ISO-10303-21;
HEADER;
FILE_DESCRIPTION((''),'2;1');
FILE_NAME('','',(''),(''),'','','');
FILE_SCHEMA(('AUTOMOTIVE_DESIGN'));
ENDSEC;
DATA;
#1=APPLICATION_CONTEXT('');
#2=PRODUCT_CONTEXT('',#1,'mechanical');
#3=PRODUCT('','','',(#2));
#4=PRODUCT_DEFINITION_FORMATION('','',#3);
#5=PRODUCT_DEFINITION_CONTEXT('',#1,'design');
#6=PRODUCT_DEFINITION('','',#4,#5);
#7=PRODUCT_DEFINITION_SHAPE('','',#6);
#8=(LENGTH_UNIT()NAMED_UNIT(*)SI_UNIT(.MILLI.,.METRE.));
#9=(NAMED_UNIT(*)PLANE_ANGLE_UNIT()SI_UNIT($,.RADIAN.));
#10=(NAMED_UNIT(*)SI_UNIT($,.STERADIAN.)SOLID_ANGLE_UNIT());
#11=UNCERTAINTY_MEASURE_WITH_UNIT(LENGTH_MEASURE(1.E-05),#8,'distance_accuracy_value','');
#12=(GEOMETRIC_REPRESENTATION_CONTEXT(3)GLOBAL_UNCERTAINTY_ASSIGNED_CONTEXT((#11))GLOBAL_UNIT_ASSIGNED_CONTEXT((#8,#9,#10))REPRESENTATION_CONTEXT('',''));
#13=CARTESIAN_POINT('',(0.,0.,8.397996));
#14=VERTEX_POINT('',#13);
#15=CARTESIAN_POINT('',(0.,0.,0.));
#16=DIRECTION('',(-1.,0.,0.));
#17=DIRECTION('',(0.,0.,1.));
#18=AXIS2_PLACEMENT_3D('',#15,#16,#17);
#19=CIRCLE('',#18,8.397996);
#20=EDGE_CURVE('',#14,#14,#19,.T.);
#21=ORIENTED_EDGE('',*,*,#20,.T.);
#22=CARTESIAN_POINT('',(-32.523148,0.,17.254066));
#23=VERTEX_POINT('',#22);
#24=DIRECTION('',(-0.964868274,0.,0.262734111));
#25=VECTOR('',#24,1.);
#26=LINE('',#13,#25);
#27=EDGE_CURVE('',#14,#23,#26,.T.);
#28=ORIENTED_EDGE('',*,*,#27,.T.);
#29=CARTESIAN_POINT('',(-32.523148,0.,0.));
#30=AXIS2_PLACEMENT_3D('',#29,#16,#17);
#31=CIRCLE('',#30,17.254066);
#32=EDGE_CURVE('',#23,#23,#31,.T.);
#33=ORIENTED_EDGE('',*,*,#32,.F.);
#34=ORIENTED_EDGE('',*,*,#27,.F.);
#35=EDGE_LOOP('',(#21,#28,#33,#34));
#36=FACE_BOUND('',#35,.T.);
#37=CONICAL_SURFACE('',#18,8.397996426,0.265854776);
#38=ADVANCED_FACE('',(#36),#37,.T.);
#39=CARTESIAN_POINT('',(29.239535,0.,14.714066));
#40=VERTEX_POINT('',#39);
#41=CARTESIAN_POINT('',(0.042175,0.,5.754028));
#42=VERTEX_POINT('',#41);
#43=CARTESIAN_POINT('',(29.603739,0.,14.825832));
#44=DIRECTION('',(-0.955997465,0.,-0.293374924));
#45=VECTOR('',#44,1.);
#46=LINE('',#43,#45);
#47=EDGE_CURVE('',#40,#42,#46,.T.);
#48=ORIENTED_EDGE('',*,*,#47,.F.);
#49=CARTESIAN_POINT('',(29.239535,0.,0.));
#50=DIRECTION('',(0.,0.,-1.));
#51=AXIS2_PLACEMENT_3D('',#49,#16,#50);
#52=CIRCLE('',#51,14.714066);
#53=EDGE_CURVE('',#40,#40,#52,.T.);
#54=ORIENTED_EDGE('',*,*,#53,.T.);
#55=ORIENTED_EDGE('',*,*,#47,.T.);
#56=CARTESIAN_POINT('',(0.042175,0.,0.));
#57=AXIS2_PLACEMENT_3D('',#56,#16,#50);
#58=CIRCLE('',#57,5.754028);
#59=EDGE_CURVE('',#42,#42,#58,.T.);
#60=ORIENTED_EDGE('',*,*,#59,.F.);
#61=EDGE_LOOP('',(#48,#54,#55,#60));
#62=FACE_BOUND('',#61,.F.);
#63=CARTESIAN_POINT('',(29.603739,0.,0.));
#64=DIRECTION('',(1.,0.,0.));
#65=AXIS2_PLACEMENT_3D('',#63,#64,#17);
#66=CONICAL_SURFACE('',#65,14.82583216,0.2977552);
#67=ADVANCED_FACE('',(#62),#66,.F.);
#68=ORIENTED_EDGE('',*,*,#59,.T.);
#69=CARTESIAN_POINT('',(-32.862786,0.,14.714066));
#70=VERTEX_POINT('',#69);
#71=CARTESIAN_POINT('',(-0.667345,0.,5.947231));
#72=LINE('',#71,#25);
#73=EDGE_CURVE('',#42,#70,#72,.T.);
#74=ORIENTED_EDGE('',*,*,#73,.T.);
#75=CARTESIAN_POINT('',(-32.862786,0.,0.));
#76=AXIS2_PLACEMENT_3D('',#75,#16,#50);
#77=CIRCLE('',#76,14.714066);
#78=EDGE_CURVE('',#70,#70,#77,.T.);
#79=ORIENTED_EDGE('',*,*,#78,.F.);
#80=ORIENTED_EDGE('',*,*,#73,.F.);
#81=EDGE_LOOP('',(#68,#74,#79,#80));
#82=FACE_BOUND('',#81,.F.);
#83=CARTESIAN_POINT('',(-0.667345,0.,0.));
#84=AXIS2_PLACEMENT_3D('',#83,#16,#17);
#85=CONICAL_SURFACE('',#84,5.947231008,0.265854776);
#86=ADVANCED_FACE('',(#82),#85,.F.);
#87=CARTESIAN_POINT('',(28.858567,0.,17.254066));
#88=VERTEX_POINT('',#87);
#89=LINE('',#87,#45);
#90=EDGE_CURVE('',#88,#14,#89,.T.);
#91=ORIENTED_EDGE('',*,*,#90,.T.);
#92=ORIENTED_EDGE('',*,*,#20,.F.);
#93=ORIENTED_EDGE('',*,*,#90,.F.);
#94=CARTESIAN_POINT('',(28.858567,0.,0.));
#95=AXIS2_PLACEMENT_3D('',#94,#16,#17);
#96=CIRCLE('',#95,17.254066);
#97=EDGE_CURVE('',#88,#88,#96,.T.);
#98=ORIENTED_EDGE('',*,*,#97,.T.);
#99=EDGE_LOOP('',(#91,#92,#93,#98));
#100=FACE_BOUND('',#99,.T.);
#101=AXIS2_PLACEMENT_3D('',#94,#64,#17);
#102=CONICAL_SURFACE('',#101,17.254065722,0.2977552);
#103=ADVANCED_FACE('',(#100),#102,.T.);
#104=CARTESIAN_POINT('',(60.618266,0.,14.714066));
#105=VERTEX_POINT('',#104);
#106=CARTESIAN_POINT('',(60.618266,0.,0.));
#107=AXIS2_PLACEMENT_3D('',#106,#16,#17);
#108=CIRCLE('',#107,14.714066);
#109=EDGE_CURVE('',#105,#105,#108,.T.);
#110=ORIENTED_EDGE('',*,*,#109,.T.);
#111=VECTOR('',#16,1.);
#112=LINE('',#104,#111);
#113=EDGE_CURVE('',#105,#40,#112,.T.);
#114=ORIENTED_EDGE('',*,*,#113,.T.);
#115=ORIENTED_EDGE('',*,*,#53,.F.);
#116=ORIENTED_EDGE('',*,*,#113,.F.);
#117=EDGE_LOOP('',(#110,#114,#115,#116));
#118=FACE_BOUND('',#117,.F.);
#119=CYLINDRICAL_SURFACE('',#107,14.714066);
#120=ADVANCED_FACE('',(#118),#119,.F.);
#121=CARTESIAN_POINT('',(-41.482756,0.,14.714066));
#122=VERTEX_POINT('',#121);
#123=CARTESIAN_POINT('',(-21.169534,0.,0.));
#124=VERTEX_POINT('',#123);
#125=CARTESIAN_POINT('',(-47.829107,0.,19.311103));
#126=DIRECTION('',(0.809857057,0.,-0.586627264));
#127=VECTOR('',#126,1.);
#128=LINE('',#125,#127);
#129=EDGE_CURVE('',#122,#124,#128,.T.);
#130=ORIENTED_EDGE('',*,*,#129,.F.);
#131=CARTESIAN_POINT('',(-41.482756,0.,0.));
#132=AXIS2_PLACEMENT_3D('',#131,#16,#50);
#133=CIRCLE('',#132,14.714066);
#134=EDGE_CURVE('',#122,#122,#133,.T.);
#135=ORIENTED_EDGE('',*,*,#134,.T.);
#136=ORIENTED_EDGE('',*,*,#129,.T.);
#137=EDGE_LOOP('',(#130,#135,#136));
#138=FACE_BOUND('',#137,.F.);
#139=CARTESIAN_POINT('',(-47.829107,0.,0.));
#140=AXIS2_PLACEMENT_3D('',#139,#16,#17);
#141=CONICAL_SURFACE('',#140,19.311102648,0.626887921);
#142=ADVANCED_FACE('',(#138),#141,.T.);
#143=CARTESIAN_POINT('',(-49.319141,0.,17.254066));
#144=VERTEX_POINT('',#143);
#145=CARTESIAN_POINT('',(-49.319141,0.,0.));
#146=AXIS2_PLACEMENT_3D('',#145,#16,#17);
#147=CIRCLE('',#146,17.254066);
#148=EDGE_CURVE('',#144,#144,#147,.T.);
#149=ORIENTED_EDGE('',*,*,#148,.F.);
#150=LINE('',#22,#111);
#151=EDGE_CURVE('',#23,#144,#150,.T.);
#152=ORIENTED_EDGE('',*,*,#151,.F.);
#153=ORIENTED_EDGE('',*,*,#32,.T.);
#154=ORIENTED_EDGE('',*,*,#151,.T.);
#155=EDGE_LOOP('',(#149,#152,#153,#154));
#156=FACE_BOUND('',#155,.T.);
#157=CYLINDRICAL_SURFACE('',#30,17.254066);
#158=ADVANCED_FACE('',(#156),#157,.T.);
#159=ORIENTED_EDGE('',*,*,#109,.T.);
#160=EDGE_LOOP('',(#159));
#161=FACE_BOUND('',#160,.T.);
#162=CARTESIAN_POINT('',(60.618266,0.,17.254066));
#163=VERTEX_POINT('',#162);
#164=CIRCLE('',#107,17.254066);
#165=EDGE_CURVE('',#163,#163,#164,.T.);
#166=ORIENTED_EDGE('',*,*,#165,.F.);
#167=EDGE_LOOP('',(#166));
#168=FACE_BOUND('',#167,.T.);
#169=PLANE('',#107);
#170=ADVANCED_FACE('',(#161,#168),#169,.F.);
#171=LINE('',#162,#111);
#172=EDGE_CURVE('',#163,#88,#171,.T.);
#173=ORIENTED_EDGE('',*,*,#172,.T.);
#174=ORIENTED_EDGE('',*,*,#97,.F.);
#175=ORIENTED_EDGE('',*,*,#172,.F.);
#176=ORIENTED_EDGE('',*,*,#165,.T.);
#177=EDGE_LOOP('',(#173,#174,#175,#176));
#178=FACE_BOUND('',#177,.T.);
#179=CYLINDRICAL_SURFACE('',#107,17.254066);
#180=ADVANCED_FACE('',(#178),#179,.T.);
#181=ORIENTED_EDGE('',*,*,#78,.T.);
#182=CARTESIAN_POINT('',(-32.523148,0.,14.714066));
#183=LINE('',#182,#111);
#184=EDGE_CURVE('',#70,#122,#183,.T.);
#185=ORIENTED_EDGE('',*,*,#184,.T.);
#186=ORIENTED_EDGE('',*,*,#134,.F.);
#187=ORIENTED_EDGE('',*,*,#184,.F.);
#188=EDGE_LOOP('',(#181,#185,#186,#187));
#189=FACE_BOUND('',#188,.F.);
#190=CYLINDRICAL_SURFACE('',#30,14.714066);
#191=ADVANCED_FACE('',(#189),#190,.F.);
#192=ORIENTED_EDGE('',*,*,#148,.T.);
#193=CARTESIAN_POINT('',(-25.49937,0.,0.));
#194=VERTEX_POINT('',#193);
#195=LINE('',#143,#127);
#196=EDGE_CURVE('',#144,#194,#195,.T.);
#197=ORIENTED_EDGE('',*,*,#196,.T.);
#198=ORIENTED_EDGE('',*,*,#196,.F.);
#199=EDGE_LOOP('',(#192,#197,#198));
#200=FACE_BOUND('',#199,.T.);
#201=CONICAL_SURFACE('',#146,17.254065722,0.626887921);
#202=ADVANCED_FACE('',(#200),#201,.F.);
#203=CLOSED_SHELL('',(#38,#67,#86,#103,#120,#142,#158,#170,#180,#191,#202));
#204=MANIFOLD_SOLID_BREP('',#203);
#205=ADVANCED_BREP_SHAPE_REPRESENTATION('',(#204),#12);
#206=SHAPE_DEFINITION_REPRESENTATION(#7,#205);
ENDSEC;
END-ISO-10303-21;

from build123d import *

# Parameters (mm, degrees)
F2_T = -2.54


with BuildPart() as f1:
    # F0 (on Front) → F1 (revolve)
    with BuildSketch(Plane.XZ):
        Polygon((0, 8.3979964256), (-32.5231477618, 17.2540657222), (-49.3191406131, 17.2540657222), (-25.4993699491, 0), (60.6182664633, 0), (60.6182664633, 17.2540657222), (28.8585666567, 17.2540657222), align=None)
    revolve(axis=Axis((17.5594482571, 0, 0), (-1, 0, 0)))

    # F2
    f2_openings = [f1.faces().sort_by_distance(p)[0] for p in [
        (60.618266, 0, 0),
    ]]
    offset(amount=F2_T, openings=f2_openings, kind=Kind.INTERSECTION)


solid = f1.part
